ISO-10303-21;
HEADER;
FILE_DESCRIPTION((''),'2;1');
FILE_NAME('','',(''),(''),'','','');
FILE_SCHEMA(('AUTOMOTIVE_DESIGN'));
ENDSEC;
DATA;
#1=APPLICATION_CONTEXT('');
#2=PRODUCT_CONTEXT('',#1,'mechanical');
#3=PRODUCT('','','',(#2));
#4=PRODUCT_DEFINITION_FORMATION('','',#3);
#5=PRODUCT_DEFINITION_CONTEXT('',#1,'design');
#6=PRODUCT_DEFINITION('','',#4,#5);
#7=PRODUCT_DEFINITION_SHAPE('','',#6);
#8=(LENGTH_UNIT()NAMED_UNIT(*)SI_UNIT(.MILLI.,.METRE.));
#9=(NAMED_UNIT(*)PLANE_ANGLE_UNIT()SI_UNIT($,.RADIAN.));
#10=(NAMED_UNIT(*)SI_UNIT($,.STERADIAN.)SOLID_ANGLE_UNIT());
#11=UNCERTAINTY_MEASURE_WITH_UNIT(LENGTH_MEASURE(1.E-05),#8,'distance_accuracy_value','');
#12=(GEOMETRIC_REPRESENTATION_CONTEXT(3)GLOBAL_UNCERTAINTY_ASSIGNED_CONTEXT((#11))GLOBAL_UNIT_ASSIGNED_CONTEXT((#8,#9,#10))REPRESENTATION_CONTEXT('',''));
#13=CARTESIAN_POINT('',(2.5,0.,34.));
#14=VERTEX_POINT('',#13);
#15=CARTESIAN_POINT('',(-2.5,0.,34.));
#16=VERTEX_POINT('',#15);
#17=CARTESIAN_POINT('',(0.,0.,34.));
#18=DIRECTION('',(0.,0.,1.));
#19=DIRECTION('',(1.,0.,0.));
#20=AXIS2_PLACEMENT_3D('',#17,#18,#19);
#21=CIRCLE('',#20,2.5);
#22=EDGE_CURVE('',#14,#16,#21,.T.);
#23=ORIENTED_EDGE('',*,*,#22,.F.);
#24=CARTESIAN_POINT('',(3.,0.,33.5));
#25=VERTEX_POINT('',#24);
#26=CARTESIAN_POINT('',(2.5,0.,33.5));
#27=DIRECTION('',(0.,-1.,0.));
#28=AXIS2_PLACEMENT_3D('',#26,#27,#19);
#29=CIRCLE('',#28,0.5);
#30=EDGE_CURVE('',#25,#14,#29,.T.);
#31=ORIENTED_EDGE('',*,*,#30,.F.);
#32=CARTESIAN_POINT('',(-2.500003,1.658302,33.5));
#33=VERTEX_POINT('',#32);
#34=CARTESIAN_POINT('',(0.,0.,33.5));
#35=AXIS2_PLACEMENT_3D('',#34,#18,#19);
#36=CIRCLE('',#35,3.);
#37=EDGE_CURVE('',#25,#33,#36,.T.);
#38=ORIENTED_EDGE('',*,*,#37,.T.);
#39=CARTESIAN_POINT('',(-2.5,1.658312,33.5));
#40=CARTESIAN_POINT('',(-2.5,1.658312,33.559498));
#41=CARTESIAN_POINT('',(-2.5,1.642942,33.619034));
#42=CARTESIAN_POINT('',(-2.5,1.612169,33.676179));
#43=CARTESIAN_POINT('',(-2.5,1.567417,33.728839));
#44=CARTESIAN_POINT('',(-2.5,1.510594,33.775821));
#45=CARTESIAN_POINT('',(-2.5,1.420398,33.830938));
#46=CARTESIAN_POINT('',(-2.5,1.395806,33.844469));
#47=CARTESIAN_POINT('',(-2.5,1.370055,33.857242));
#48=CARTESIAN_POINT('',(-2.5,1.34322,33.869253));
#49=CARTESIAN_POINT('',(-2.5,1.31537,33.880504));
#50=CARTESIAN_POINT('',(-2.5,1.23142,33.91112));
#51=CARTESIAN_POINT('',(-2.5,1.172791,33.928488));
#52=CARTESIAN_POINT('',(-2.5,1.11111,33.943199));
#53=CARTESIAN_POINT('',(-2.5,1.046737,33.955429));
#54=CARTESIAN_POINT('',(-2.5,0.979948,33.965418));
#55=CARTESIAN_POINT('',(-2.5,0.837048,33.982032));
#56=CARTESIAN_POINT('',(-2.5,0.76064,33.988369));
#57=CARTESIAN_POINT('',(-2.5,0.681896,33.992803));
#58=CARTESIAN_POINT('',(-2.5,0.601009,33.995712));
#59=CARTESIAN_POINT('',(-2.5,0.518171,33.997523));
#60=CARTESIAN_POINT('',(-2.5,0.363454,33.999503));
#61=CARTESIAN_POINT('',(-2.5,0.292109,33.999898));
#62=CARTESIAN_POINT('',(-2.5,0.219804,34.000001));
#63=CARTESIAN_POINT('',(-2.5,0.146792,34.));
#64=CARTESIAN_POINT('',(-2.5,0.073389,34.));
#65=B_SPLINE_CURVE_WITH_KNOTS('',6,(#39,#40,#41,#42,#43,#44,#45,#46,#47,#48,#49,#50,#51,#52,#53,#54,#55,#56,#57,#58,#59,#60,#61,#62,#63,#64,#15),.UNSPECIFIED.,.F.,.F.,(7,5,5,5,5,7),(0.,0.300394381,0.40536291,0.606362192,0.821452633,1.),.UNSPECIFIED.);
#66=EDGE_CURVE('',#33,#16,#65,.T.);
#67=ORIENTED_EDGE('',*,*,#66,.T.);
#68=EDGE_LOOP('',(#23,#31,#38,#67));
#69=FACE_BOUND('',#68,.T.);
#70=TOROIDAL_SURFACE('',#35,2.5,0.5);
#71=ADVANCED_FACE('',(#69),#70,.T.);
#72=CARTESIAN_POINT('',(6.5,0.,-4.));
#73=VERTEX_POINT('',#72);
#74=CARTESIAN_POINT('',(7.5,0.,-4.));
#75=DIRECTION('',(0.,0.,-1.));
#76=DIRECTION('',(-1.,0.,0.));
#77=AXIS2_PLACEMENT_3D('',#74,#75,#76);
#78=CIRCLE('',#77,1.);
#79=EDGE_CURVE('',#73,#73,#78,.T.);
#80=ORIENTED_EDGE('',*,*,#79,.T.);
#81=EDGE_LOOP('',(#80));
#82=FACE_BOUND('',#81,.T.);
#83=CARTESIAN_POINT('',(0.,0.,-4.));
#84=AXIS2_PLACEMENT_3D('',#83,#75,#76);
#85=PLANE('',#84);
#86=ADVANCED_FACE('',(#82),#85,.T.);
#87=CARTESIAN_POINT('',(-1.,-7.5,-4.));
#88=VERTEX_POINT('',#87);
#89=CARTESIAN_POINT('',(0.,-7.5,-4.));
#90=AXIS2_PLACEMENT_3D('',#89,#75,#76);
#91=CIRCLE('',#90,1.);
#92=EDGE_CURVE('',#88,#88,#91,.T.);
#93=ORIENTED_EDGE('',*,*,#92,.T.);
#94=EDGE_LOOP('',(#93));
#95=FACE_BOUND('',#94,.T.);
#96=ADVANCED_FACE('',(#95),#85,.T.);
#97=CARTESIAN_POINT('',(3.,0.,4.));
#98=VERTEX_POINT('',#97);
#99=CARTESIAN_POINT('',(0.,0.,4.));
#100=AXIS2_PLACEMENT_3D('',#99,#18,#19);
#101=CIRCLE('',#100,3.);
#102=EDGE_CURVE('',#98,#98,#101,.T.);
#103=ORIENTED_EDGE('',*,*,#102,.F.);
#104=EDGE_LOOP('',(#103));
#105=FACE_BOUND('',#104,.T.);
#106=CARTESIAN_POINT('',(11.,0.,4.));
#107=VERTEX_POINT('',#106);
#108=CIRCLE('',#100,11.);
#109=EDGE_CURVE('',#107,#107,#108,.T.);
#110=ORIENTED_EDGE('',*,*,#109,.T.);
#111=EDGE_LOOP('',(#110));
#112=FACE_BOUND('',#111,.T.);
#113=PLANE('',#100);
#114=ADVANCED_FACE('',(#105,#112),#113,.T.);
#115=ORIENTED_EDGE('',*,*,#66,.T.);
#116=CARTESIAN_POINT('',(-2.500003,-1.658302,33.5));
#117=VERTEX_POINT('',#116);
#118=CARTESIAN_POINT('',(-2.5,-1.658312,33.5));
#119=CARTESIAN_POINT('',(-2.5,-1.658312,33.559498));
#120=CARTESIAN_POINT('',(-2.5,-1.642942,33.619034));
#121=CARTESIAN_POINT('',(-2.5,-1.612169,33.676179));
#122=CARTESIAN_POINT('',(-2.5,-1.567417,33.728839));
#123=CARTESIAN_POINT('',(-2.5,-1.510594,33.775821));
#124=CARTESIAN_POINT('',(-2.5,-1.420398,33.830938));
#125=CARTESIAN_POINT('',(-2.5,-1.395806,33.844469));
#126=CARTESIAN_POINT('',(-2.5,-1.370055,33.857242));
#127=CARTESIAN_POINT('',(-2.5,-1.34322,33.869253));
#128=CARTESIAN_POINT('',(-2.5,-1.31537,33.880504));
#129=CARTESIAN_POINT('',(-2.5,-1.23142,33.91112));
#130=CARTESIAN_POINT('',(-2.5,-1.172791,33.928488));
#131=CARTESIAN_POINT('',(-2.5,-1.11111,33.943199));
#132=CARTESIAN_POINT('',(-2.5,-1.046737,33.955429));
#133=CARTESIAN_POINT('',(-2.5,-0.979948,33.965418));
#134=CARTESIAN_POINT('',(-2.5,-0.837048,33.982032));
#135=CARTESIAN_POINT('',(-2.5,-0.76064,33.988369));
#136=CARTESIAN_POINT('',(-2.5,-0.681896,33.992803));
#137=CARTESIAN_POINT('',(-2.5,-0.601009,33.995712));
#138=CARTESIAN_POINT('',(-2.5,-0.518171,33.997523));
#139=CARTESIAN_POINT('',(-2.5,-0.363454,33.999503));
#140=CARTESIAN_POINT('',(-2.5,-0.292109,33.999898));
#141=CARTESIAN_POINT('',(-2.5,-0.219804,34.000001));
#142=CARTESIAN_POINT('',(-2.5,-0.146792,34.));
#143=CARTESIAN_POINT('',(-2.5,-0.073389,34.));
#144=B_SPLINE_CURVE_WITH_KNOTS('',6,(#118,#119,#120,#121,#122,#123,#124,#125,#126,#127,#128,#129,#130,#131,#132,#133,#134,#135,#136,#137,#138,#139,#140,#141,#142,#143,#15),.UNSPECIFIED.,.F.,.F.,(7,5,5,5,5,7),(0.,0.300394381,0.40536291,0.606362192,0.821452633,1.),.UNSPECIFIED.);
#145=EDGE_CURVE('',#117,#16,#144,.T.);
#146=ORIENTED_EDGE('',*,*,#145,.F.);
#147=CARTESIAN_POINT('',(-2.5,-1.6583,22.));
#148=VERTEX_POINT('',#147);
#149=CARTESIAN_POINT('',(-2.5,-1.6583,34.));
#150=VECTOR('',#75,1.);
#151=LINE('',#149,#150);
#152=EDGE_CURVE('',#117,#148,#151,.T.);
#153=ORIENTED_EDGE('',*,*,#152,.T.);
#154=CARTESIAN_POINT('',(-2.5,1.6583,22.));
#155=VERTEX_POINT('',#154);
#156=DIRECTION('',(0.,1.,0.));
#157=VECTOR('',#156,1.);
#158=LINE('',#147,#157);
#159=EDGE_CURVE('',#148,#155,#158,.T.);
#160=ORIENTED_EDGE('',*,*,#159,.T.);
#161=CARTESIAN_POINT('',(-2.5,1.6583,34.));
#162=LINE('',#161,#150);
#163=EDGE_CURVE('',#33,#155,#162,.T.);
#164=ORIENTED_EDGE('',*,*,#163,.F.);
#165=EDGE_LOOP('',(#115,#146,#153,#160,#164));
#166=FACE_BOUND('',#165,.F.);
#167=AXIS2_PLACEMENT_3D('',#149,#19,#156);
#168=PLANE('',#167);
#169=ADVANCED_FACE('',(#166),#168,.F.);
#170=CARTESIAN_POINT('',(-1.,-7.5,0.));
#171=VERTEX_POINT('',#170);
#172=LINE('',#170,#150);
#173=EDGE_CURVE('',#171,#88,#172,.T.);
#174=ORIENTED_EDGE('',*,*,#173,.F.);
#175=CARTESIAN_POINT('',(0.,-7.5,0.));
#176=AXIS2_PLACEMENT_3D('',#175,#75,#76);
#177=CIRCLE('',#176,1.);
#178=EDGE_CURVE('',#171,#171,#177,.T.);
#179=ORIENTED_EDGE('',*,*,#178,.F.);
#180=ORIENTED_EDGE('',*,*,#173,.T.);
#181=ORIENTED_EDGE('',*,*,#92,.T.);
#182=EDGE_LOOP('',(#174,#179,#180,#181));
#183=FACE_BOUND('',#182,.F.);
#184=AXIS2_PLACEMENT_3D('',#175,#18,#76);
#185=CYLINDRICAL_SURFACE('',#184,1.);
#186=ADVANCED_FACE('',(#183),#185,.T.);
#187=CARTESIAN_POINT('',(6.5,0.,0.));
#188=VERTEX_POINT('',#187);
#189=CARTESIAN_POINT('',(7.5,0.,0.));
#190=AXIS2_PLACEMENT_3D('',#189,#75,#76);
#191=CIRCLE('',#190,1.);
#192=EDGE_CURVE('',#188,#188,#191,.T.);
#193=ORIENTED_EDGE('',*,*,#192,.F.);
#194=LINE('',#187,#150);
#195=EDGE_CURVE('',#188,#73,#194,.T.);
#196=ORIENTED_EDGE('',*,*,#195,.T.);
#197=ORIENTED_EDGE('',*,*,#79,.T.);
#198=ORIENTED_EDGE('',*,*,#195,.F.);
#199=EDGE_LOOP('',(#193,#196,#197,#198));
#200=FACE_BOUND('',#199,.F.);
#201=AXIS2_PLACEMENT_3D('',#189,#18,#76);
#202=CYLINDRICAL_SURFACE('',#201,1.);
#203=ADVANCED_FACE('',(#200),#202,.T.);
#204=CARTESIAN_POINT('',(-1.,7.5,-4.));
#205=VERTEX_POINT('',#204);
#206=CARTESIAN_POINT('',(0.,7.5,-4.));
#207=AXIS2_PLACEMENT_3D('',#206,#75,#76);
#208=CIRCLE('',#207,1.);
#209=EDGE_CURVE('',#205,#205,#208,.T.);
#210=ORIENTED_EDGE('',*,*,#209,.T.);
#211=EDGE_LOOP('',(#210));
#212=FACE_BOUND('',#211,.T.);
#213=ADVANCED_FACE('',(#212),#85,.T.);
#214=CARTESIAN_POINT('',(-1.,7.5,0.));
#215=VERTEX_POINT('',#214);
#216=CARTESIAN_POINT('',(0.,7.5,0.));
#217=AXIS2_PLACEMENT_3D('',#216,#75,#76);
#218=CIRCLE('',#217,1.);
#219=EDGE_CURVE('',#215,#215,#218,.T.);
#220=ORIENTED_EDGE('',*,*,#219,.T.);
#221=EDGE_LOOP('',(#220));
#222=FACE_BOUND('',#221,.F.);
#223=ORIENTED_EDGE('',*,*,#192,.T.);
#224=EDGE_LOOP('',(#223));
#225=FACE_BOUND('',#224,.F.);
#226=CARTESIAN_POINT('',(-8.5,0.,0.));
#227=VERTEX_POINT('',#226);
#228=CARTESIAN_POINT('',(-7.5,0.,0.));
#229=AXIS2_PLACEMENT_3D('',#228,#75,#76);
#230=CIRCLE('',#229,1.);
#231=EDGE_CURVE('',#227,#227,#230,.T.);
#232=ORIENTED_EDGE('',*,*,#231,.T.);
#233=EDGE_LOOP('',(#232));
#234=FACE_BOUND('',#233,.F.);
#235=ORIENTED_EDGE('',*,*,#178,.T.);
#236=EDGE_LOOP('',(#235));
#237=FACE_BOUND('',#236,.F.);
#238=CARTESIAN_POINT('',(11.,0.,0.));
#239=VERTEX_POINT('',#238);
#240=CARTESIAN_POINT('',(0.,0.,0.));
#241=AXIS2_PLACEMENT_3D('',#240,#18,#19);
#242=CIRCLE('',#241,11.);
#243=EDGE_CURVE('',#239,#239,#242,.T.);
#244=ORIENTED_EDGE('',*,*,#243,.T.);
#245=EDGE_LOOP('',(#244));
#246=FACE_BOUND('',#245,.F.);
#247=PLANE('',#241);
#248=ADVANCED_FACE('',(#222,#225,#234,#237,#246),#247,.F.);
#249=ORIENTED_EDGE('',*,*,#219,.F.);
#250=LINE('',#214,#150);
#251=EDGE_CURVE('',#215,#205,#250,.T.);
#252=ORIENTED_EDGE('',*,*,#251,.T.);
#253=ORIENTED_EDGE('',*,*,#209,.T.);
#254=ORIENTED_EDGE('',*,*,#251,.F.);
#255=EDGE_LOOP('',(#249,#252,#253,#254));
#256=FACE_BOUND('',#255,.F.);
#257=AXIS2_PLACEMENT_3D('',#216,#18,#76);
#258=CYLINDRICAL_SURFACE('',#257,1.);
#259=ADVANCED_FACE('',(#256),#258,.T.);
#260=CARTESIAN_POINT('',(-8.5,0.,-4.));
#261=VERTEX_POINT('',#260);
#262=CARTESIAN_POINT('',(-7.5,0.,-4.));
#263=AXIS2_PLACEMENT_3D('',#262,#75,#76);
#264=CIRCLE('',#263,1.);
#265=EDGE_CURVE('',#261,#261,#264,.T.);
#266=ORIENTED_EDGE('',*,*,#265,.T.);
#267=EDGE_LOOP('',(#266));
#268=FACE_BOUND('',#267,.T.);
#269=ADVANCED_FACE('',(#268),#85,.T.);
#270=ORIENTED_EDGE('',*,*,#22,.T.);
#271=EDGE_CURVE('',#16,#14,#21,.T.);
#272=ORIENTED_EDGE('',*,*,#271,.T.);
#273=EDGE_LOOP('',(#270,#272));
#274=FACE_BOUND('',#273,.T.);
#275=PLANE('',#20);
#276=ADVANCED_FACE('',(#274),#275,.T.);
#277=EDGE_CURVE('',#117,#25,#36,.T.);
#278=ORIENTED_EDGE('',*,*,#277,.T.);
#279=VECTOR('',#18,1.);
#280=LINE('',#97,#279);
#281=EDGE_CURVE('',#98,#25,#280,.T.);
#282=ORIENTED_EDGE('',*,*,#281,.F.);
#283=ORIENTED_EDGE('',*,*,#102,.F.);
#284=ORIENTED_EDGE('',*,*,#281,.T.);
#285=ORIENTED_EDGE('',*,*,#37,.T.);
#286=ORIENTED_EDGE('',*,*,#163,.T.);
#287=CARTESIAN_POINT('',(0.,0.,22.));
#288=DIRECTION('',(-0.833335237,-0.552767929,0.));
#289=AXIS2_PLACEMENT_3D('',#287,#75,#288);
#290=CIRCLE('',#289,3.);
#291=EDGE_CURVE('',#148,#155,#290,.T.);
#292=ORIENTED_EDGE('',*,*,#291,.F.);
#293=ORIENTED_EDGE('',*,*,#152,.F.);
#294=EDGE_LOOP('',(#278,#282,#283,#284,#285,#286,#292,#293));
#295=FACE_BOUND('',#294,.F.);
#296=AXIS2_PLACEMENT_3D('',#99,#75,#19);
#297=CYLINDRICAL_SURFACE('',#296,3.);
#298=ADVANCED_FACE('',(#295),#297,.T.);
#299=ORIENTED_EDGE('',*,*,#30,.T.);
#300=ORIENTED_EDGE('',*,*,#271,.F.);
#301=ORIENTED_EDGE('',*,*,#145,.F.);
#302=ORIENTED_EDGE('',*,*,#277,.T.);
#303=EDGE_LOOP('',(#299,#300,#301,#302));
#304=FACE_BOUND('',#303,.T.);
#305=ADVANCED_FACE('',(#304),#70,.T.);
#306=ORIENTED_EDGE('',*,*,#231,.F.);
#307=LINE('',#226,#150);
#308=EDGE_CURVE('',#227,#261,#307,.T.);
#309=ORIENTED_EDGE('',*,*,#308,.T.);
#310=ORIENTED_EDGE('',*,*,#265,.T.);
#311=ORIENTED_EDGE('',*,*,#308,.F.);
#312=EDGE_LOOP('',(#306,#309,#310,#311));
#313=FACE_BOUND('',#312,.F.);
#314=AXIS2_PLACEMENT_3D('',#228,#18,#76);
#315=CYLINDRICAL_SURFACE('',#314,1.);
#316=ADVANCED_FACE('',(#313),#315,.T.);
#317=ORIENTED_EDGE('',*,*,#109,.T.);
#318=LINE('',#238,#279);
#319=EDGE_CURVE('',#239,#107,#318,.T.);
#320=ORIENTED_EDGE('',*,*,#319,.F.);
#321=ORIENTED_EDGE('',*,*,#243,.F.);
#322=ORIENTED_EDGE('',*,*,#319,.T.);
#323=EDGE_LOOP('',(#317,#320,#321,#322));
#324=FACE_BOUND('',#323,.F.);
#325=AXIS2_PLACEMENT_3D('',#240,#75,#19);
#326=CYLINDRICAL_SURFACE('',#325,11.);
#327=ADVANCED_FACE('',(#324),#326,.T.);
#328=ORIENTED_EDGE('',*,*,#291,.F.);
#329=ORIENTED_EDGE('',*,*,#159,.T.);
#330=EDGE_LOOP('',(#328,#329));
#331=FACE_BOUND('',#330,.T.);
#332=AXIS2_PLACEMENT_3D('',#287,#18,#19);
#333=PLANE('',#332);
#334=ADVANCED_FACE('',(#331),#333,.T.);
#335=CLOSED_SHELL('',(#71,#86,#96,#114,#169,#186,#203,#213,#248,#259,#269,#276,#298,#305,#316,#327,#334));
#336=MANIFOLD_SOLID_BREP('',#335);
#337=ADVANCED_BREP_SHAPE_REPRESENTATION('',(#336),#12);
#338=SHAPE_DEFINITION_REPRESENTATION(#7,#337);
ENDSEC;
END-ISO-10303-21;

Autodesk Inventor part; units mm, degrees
ref_plane "YZ Plane" through (0, 0, 0) normal (1, 0, 0) x (0, 1, 0)
ref_plane "XZ Plane" through (0, 0, 0) normal (0, 1, 0) x (-1, 0, 0)
ref_plane "XY Plane" through (0, 0, 0) normal (0, 0, 1) x (1, 0, 0)
sketch "スケッチ1" plane through (0, 0, 0) normal (0, 0, 1) x (1, 0, 0)
  circle A0 centre (0, 0) radius 11
  dimension "d0" = 22
extrude "押し出し1" add sketch "スケッチ1" along normal blind 4
sketch "スケッチ2" plane through (0, 0, 4) normal (0, 0, 1) x (1, 0, 0)
  circle A0 centre (0, 0) radius 11 projected
  circle A1 centre (0, 0) radius 3
  dimension "d3" = 6
extrude "押し出し2" add sketch "スケッチ2" along normal blind 30 contours A1
sketch "スケッチ3" plane through (0, 0, 0) normal (0, 0, -1) x (-1, 0, 0)
  circle A0 centre (0, 7.5) radius 1
  circle A1 centre (-7.5, 0) radius 1
  circle A2 centre (0, -7.5) radius 1
  circle A3 centre (7.5, 0) radius 1
  point P0 (0, 0)
  dimension "d6" = 2
  dimension "d7" = 7.5
  dimension "d10" = 360
extrude "押し出し3" add sketch "スケッチ3" along normal blind 4
fillet "フィレット1" radius 0.5 1 edges at (-3, 0, 34)
sketch "スケッチ4" plane through (0, 0, 34) normal (0, 0, 1) x (1, 0, 0)
  line L0 (-3, -1.6583) -> (-2.5, -1.6583)
  line L1 (-2.5, -1.6583) -> (-2.5, 1.6583)
  line L2 (-2.5, 1.6583) -> (-3, 1.6583)
  line L3 (-3, 1.6583) -> (-3, -1.6583)
  circle A0 centre (0, 0) radius 3 projected
  point P0 (-2.5, 0)
  dimension "d15" = 0.5
extrude "押し出し4" cut sketch "スケッチ4" against normal blind 12 contours A0 L1 picked at (-2.5914, 0.3806)
properties part number "555_GearBox_Shaft" material "鉄、鋳鉄"
